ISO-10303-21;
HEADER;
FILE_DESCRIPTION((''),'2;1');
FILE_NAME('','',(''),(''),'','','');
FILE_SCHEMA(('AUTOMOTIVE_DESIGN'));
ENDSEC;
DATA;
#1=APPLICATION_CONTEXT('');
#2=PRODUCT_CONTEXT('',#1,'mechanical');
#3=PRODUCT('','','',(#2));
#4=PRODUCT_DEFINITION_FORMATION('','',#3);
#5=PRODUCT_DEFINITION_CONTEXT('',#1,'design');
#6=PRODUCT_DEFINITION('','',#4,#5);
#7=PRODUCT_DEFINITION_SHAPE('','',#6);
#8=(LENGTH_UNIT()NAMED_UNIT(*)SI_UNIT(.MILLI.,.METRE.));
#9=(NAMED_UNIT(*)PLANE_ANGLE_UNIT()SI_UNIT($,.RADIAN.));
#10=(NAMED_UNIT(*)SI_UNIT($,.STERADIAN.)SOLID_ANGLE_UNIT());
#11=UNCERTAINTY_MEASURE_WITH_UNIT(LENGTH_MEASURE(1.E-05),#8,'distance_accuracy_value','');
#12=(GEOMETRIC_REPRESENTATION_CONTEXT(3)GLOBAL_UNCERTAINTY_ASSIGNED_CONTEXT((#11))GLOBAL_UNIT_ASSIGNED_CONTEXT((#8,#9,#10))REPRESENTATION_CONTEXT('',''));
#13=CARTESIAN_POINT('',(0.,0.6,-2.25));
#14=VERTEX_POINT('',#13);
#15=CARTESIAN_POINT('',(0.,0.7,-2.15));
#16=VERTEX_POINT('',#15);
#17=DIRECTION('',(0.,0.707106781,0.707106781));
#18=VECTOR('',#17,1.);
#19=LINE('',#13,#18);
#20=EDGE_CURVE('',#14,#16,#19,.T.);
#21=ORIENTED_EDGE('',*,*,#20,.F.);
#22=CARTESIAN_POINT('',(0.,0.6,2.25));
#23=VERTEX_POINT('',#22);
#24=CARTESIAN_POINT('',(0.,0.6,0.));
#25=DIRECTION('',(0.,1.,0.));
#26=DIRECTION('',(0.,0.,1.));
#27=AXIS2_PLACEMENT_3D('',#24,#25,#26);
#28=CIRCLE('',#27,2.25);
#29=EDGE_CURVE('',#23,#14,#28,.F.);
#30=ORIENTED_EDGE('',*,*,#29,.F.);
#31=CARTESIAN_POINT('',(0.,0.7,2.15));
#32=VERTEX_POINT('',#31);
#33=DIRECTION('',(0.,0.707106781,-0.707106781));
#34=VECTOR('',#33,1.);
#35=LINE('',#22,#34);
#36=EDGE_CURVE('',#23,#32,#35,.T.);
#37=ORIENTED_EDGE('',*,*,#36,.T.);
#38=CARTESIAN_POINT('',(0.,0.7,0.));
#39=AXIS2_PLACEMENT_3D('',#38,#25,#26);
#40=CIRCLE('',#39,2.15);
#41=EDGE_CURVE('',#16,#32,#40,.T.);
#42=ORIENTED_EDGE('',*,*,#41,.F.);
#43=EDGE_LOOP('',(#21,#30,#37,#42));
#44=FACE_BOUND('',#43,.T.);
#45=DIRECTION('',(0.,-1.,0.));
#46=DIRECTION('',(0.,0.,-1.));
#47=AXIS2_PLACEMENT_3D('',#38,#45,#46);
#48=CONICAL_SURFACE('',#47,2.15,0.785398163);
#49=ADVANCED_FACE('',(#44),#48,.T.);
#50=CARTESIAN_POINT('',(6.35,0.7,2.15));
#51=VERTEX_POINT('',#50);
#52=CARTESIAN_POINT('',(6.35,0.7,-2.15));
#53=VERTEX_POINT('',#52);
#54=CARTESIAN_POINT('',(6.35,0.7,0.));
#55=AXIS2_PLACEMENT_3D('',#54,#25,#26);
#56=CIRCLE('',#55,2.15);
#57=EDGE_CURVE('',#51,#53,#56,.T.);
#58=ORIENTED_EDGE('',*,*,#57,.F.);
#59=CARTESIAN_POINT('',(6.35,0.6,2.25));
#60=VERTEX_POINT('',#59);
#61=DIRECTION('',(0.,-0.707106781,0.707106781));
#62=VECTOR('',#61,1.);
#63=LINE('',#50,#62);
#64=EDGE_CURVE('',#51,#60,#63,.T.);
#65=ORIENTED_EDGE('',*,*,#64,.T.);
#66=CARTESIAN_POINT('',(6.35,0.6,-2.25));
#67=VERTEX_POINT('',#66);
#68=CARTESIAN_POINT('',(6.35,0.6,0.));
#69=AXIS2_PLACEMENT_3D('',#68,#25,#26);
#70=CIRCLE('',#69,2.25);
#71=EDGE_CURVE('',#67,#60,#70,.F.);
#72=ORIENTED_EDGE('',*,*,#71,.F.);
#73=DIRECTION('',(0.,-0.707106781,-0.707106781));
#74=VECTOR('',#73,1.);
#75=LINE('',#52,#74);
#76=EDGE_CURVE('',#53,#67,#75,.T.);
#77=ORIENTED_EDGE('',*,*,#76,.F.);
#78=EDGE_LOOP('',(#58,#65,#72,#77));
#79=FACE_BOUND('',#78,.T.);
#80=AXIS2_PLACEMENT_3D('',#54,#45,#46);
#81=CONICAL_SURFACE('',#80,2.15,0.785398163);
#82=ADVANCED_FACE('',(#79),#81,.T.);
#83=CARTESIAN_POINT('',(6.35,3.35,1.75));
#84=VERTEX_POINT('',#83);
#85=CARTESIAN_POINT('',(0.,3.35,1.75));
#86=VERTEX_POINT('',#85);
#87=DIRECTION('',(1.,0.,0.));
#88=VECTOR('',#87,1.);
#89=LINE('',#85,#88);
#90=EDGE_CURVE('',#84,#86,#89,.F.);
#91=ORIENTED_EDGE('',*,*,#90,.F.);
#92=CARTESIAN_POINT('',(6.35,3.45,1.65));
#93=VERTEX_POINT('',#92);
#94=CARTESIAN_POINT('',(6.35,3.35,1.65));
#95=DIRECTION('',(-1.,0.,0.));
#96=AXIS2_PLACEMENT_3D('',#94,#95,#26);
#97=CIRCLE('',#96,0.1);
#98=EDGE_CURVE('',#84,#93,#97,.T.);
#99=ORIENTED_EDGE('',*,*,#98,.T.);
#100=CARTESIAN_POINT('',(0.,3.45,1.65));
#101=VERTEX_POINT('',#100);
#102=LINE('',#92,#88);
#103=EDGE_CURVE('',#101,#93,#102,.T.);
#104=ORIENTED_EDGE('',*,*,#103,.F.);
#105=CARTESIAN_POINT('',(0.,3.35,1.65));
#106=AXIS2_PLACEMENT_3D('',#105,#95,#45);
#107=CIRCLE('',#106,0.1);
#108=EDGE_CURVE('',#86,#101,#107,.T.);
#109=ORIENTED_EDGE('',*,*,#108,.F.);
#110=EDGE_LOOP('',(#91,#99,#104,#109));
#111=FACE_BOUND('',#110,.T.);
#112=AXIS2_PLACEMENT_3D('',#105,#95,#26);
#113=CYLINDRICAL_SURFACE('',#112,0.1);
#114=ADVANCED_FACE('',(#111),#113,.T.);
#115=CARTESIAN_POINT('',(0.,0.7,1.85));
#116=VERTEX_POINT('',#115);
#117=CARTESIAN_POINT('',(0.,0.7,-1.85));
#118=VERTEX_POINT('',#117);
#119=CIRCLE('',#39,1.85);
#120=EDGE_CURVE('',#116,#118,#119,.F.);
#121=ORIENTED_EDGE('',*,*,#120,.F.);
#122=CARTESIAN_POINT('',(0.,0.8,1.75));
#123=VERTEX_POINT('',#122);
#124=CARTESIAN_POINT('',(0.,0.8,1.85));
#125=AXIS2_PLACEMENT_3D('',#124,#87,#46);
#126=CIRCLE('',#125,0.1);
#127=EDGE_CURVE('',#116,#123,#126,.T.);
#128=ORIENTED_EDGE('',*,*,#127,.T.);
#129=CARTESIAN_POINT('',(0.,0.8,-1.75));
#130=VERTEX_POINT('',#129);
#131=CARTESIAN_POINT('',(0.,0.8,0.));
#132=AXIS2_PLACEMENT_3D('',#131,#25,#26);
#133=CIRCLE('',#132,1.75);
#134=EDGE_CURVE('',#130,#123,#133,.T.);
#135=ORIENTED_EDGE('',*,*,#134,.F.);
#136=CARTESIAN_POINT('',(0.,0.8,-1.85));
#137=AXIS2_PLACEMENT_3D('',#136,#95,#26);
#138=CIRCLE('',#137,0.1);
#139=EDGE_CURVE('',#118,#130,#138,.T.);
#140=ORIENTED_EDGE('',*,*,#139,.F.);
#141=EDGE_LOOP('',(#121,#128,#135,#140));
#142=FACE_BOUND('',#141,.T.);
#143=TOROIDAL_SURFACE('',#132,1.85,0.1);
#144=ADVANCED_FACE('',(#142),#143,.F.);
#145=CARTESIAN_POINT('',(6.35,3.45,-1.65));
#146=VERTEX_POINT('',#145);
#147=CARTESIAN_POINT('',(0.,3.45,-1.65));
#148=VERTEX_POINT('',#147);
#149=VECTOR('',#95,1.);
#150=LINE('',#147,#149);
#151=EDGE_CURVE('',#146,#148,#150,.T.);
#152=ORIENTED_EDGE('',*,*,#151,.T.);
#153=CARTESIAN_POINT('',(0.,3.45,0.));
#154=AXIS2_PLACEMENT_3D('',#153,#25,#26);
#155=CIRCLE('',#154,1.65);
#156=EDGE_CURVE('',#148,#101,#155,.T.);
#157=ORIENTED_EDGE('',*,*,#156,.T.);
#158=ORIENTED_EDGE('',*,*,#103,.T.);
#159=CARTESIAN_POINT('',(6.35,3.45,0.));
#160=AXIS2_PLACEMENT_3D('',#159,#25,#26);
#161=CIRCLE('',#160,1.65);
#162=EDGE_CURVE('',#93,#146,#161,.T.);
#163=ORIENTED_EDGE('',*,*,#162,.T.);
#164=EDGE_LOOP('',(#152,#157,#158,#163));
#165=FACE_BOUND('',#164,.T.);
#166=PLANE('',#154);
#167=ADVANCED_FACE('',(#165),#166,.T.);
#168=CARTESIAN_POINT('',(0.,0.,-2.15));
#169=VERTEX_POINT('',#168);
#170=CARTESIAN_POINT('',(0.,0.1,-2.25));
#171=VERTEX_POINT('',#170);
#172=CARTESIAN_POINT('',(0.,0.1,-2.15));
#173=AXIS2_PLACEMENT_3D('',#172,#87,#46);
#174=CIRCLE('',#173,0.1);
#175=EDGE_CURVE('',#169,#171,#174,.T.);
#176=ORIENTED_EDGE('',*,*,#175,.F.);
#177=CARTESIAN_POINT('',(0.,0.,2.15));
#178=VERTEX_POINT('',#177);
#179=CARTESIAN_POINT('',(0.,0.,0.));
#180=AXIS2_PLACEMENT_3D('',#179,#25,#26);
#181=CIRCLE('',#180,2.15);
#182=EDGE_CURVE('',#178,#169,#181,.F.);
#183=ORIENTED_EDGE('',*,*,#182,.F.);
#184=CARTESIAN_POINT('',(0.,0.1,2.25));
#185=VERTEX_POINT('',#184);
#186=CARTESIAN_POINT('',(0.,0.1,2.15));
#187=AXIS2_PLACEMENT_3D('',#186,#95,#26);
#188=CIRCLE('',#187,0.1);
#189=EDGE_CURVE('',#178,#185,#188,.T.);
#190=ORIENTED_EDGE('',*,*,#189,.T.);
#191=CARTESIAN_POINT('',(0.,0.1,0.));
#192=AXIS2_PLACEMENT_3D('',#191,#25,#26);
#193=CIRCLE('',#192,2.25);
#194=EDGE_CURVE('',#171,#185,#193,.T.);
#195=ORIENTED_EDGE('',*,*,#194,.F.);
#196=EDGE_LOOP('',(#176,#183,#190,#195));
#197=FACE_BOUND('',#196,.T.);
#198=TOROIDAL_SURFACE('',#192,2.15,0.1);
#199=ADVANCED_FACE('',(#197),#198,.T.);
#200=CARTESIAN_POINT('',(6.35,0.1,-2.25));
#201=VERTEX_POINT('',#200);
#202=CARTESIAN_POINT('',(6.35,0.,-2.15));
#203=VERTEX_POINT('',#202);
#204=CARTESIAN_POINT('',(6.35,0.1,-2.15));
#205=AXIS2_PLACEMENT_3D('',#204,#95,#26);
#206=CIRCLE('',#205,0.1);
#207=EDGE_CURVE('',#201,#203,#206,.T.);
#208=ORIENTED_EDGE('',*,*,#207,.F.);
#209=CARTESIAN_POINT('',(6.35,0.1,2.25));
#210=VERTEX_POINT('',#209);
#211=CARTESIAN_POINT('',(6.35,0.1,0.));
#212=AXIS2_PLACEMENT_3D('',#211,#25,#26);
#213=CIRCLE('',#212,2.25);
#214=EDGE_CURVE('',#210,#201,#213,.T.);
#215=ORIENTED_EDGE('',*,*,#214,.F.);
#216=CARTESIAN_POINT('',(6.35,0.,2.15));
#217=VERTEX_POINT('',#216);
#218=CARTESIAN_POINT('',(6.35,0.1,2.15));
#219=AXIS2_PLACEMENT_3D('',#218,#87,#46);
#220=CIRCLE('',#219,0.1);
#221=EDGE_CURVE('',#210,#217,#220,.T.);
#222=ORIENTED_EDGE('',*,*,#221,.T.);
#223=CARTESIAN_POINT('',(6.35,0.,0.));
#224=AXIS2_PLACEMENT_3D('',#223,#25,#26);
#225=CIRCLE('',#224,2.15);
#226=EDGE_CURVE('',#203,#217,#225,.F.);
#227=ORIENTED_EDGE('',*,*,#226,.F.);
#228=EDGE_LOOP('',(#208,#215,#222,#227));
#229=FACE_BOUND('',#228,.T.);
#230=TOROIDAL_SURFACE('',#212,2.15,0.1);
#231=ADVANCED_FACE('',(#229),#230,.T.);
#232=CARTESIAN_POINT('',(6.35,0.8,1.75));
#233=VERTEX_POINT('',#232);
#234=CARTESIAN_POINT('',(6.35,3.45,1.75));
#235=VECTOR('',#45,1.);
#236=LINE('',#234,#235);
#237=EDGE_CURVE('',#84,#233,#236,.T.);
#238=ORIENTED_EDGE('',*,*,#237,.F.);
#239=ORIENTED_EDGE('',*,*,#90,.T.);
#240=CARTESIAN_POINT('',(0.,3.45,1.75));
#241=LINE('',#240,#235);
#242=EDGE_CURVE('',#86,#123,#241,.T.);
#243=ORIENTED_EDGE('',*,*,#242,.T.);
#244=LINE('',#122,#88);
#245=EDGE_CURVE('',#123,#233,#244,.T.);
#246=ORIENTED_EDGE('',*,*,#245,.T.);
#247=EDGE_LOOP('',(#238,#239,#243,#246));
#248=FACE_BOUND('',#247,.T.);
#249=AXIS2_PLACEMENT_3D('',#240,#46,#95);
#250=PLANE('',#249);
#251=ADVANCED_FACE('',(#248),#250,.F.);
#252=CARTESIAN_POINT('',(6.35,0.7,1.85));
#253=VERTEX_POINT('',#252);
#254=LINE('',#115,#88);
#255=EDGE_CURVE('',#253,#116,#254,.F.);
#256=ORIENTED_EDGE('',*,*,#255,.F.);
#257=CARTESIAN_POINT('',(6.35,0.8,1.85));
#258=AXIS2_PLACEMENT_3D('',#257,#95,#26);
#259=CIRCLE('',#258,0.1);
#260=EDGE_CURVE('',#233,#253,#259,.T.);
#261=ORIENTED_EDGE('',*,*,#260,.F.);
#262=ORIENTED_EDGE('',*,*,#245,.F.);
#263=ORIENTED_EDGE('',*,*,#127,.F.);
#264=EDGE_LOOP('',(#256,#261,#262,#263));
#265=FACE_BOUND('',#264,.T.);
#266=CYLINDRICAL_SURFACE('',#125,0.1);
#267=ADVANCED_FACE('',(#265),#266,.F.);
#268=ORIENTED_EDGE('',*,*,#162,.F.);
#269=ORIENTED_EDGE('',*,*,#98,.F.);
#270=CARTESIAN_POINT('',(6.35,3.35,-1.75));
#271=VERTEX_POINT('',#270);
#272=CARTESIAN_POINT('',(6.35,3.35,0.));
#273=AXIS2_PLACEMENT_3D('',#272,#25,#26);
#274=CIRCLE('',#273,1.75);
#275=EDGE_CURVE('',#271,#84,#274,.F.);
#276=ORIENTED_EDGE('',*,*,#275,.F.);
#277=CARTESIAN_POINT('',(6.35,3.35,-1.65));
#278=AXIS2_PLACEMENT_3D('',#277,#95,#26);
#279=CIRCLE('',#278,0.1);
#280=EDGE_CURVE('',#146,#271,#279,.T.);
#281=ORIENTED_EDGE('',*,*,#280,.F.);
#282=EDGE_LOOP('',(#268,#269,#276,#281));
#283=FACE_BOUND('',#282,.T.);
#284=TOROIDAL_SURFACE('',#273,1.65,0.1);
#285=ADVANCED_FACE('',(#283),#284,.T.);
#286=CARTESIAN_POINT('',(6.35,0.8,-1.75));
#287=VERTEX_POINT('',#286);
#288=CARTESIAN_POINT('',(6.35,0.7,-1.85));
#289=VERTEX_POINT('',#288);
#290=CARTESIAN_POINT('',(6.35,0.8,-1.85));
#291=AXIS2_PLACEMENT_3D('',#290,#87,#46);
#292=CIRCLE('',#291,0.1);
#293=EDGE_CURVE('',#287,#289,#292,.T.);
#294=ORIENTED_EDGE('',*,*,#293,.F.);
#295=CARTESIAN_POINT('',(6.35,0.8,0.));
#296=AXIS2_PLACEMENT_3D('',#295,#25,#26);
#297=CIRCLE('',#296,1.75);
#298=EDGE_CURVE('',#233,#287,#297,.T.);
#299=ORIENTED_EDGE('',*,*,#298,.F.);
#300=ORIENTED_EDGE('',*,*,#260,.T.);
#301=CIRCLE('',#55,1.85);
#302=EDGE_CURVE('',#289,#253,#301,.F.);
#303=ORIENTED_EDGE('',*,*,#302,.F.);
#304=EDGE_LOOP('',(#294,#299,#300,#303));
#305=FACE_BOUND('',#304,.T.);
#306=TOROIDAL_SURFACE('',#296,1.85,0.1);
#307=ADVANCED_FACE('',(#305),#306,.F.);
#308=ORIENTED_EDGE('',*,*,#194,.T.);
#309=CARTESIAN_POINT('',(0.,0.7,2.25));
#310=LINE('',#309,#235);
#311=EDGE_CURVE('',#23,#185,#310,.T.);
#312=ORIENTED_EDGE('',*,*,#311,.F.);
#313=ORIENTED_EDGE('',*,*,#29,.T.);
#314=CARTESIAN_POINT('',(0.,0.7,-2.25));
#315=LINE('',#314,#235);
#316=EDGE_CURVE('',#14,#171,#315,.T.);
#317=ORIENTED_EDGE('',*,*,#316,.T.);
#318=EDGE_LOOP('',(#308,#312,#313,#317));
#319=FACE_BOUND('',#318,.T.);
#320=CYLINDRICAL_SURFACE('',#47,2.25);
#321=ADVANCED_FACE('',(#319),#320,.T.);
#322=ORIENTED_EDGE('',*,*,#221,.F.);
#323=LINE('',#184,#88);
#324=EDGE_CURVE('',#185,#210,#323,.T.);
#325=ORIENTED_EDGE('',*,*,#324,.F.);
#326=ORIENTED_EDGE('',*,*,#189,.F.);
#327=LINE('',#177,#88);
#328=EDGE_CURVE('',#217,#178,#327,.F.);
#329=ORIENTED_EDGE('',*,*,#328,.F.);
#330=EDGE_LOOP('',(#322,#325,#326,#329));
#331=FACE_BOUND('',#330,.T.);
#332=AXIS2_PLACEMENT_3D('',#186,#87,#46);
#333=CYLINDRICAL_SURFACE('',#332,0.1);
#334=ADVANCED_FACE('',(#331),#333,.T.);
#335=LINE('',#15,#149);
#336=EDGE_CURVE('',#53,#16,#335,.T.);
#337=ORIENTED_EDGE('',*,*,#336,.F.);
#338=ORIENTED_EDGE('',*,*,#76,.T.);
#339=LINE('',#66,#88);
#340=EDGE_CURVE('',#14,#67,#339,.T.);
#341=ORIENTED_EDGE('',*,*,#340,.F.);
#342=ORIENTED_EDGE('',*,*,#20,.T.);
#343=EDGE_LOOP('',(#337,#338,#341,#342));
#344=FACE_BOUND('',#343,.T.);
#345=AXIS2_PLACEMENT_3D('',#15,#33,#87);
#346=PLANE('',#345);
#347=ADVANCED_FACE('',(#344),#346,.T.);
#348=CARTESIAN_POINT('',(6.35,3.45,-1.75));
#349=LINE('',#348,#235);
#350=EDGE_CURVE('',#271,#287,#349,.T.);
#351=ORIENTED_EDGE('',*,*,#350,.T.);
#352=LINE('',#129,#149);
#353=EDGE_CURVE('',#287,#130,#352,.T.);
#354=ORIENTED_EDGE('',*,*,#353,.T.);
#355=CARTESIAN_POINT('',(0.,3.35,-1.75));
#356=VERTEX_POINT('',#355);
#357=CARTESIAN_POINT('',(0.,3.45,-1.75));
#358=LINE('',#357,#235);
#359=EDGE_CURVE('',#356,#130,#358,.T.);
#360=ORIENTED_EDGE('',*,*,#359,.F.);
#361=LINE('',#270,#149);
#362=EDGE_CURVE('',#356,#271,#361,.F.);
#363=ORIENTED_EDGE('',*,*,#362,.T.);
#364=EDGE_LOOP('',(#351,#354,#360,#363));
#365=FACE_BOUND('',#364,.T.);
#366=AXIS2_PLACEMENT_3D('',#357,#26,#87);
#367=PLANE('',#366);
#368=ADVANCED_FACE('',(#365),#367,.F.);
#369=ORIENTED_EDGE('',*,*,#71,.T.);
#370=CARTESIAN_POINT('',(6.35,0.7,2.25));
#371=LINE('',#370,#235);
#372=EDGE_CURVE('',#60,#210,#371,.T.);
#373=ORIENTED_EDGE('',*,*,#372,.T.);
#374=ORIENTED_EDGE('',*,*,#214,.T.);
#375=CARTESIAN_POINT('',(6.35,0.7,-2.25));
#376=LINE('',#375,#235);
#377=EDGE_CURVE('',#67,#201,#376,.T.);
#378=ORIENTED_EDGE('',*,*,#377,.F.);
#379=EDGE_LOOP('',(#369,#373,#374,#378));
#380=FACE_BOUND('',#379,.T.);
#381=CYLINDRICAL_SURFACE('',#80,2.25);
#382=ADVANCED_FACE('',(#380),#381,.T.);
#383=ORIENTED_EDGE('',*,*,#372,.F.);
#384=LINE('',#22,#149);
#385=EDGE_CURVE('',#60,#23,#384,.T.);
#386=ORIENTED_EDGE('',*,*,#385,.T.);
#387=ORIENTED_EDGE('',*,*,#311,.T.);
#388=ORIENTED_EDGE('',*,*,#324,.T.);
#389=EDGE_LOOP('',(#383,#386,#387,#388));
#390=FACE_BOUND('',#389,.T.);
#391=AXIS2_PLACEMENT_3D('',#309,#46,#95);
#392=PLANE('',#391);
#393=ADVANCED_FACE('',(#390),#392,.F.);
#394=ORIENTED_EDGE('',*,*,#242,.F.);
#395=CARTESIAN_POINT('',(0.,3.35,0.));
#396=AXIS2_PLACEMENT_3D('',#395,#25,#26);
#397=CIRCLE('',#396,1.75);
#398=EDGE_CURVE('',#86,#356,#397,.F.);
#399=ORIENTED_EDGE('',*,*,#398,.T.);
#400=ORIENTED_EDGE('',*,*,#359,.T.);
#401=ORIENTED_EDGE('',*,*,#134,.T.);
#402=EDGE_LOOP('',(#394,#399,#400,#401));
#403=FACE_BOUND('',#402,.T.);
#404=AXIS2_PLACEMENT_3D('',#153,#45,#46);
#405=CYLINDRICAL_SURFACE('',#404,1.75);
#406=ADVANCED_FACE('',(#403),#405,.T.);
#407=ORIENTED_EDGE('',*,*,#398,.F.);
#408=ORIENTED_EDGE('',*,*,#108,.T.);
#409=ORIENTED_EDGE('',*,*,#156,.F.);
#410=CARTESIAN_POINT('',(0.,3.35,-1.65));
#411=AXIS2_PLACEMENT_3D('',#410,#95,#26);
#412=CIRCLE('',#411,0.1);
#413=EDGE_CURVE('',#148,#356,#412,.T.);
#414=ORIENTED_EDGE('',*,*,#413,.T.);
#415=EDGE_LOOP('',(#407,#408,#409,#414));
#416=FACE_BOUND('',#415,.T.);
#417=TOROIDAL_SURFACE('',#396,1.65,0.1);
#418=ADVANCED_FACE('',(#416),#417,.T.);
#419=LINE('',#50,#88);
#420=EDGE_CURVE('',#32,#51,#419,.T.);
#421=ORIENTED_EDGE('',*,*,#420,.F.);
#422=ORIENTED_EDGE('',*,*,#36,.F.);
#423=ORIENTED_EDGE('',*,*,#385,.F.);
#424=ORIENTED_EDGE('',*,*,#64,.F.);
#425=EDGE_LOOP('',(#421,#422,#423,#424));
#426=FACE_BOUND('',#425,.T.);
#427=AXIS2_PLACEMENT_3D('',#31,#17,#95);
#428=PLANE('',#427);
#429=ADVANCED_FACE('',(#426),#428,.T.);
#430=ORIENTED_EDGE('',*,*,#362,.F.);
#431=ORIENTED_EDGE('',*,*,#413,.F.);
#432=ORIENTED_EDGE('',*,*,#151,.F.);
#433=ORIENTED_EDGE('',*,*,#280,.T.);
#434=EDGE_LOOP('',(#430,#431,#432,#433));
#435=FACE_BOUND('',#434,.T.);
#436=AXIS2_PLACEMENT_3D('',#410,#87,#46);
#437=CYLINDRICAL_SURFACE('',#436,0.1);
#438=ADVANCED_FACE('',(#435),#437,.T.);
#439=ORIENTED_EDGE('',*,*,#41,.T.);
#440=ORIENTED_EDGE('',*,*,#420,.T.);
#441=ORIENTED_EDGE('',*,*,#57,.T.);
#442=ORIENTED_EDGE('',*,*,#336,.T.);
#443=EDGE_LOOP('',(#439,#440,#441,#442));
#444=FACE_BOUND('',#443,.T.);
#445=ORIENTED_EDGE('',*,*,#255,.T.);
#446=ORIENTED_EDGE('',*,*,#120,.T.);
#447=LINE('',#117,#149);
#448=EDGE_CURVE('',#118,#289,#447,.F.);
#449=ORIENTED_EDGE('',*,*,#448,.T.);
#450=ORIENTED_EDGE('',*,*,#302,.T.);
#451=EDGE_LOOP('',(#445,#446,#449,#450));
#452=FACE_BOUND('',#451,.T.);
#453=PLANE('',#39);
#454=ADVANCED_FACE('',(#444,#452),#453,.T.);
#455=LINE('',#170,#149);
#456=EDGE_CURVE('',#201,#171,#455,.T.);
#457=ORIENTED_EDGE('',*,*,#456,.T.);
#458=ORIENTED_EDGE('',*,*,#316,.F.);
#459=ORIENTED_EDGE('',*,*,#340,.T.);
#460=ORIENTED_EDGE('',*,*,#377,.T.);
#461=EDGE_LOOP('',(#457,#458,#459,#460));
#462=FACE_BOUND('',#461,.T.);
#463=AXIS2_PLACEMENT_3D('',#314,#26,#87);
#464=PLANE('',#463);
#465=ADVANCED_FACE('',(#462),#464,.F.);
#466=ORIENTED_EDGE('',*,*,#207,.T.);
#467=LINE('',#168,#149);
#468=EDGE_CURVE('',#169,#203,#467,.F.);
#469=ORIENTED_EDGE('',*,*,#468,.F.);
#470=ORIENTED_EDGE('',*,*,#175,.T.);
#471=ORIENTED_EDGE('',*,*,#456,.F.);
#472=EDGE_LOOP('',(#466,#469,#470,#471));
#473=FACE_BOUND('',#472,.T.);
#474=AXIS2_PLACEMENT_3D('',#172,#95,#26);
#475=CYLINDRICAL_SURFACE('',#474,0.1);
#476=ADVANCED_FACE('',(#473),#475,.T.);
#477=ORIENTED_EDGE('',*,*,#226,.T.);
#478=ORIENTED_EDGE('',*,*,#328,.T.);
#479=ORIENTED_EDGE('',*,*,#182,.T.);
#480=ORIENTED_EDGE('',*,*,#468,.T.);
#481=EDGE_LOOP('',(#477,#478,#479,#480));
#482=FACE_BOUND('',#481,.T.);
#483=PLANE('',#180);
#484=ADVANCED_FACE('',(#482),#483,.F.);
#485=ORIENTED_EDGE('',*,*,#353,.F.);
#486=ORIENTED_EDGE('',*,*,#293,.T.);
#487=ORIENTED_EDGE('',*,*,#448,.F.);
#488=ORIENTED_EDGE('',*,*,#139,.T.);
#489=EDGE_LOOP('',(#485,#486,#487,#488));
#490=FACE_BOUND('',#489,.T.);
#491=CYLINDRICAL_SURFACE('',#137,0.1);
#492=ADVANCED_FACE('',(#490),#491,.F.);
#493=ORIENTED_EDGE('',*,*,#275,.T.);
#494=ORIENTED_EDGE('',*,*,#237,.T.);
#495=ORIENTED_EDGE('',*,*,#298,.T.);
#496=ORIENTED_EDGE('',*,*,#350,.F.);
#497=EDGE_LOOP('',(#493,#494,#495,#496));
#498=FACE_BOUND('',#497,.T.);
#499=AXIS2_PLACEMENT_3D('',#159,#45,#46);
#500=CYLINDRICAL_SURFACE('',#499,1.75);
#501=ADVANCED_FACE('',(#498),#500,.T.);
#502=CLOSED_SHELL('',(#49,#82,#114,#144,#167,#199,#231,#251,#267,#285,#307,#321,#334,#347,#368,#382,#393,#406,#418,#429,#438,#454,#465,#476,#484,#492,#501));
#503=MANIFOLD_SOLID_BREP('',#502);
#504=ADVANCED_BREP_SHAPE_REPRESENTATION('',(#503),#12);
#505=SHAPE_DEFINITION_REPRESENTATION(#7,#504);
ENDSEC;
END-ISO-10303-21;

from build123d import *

# Parameters (mm, degrees)
BOSS_EXTRU_1_DEPTH = 0.7
BOSS_EXTRU_2_DEPTH = 2.75
CONG_1_R           = 0.1
CONG_2_R           = 0.1
CONG_3_R           = 0.1
CHANFREIN1_SIZE    = 0.1


with BuildPart() as part:
    # Esquisse1 → Boss.-Extru.1 (new body)
    with BuildSketch(Plane(origin=(0, 0, 0), x_dir=(1, 0, 0), z_dir=(0, 1, 0))):
        with BuildLine():
            Line((0, 2.25), (6.35, 2.25))
            ThreePointArc((6.35, 2.25), (8.6, 0), (6.35, -2.25))
            Line((6.35, -2.25), (0, -2.25))
            ThreePointArc((0, -2.25), (-2.25, 0), (0, 2.25))
        make_face()
    extrude(amount=BOSS_EXTRU_1_DEPTH)

    # Esquisse2 → Boss.-Extru.2 (add)
    with BuildSketch(Plane(origin=(0, 0.7, 0), x_dir=(1, 0, 0), z_dir=(0, 1, 0))):
        with BuildLine():
            Line((0, 1.75), (6.35, 1.75))
            ThreePointArc((6.35, 1.75), (8.1, 0), (6.35, -1.75))
            Line((6.35, -1.75), (0, -1.75))
            ThreePointArc((0, -1.75), (-1.75, 0), (0, 1.75))
        make_face()
    extrude(amount=BOSS_EXTRU_2_DEPTH)

    # Congé1
    cong_1_edges = [part.edges().sort_by_distance(p)[0] for p in [
        (-1.75, 0.7, 0),
        (3.175, 0.7, 1.75),
        (8.1, 0.7, 0),
        (3.175, 0.7, -1.75),
    ]]
    fillet(cong_1_edges, radius=CONG_1_R)

    # Congé2
    cong_2_edges = [part.edges().sort_by_distance(p)[0] for p in [
        (-1.75, 3.45, 0),
        (3.175, 3.45, 1.75),
        (8.1, 3.45, 0),
        (3.175, 3.45, -1.75),
    ]]
    fillet(cong_2_edges, radius=CONG_2_R)

    # Congé3
    cong_3_edges = [part.edges().sort_by_distance(p)[0] for p in [
        (3.175, 0, -2.25),
        (8.6, 0, 0),
        (3.175, 0, 2.25),
        (-2.25, 0, 0),
    ]]
    fillet(cong_3_edges, radius=CONG_3_R)

    # Chanfrein1
    chanfrein1_edges = [part.edges().sort_by_distance(p)[0] for p in [
        (8.6, 0.7, 0),
        (3.175, 0.7, -2.25),
        (-2.25, 0.7, 0),
        (3.175, 0.7, 2.25),
    ]]
    chamfer(chanfrein1_edges, length=CHANFREIN1_SIZE)


solid = part.part
